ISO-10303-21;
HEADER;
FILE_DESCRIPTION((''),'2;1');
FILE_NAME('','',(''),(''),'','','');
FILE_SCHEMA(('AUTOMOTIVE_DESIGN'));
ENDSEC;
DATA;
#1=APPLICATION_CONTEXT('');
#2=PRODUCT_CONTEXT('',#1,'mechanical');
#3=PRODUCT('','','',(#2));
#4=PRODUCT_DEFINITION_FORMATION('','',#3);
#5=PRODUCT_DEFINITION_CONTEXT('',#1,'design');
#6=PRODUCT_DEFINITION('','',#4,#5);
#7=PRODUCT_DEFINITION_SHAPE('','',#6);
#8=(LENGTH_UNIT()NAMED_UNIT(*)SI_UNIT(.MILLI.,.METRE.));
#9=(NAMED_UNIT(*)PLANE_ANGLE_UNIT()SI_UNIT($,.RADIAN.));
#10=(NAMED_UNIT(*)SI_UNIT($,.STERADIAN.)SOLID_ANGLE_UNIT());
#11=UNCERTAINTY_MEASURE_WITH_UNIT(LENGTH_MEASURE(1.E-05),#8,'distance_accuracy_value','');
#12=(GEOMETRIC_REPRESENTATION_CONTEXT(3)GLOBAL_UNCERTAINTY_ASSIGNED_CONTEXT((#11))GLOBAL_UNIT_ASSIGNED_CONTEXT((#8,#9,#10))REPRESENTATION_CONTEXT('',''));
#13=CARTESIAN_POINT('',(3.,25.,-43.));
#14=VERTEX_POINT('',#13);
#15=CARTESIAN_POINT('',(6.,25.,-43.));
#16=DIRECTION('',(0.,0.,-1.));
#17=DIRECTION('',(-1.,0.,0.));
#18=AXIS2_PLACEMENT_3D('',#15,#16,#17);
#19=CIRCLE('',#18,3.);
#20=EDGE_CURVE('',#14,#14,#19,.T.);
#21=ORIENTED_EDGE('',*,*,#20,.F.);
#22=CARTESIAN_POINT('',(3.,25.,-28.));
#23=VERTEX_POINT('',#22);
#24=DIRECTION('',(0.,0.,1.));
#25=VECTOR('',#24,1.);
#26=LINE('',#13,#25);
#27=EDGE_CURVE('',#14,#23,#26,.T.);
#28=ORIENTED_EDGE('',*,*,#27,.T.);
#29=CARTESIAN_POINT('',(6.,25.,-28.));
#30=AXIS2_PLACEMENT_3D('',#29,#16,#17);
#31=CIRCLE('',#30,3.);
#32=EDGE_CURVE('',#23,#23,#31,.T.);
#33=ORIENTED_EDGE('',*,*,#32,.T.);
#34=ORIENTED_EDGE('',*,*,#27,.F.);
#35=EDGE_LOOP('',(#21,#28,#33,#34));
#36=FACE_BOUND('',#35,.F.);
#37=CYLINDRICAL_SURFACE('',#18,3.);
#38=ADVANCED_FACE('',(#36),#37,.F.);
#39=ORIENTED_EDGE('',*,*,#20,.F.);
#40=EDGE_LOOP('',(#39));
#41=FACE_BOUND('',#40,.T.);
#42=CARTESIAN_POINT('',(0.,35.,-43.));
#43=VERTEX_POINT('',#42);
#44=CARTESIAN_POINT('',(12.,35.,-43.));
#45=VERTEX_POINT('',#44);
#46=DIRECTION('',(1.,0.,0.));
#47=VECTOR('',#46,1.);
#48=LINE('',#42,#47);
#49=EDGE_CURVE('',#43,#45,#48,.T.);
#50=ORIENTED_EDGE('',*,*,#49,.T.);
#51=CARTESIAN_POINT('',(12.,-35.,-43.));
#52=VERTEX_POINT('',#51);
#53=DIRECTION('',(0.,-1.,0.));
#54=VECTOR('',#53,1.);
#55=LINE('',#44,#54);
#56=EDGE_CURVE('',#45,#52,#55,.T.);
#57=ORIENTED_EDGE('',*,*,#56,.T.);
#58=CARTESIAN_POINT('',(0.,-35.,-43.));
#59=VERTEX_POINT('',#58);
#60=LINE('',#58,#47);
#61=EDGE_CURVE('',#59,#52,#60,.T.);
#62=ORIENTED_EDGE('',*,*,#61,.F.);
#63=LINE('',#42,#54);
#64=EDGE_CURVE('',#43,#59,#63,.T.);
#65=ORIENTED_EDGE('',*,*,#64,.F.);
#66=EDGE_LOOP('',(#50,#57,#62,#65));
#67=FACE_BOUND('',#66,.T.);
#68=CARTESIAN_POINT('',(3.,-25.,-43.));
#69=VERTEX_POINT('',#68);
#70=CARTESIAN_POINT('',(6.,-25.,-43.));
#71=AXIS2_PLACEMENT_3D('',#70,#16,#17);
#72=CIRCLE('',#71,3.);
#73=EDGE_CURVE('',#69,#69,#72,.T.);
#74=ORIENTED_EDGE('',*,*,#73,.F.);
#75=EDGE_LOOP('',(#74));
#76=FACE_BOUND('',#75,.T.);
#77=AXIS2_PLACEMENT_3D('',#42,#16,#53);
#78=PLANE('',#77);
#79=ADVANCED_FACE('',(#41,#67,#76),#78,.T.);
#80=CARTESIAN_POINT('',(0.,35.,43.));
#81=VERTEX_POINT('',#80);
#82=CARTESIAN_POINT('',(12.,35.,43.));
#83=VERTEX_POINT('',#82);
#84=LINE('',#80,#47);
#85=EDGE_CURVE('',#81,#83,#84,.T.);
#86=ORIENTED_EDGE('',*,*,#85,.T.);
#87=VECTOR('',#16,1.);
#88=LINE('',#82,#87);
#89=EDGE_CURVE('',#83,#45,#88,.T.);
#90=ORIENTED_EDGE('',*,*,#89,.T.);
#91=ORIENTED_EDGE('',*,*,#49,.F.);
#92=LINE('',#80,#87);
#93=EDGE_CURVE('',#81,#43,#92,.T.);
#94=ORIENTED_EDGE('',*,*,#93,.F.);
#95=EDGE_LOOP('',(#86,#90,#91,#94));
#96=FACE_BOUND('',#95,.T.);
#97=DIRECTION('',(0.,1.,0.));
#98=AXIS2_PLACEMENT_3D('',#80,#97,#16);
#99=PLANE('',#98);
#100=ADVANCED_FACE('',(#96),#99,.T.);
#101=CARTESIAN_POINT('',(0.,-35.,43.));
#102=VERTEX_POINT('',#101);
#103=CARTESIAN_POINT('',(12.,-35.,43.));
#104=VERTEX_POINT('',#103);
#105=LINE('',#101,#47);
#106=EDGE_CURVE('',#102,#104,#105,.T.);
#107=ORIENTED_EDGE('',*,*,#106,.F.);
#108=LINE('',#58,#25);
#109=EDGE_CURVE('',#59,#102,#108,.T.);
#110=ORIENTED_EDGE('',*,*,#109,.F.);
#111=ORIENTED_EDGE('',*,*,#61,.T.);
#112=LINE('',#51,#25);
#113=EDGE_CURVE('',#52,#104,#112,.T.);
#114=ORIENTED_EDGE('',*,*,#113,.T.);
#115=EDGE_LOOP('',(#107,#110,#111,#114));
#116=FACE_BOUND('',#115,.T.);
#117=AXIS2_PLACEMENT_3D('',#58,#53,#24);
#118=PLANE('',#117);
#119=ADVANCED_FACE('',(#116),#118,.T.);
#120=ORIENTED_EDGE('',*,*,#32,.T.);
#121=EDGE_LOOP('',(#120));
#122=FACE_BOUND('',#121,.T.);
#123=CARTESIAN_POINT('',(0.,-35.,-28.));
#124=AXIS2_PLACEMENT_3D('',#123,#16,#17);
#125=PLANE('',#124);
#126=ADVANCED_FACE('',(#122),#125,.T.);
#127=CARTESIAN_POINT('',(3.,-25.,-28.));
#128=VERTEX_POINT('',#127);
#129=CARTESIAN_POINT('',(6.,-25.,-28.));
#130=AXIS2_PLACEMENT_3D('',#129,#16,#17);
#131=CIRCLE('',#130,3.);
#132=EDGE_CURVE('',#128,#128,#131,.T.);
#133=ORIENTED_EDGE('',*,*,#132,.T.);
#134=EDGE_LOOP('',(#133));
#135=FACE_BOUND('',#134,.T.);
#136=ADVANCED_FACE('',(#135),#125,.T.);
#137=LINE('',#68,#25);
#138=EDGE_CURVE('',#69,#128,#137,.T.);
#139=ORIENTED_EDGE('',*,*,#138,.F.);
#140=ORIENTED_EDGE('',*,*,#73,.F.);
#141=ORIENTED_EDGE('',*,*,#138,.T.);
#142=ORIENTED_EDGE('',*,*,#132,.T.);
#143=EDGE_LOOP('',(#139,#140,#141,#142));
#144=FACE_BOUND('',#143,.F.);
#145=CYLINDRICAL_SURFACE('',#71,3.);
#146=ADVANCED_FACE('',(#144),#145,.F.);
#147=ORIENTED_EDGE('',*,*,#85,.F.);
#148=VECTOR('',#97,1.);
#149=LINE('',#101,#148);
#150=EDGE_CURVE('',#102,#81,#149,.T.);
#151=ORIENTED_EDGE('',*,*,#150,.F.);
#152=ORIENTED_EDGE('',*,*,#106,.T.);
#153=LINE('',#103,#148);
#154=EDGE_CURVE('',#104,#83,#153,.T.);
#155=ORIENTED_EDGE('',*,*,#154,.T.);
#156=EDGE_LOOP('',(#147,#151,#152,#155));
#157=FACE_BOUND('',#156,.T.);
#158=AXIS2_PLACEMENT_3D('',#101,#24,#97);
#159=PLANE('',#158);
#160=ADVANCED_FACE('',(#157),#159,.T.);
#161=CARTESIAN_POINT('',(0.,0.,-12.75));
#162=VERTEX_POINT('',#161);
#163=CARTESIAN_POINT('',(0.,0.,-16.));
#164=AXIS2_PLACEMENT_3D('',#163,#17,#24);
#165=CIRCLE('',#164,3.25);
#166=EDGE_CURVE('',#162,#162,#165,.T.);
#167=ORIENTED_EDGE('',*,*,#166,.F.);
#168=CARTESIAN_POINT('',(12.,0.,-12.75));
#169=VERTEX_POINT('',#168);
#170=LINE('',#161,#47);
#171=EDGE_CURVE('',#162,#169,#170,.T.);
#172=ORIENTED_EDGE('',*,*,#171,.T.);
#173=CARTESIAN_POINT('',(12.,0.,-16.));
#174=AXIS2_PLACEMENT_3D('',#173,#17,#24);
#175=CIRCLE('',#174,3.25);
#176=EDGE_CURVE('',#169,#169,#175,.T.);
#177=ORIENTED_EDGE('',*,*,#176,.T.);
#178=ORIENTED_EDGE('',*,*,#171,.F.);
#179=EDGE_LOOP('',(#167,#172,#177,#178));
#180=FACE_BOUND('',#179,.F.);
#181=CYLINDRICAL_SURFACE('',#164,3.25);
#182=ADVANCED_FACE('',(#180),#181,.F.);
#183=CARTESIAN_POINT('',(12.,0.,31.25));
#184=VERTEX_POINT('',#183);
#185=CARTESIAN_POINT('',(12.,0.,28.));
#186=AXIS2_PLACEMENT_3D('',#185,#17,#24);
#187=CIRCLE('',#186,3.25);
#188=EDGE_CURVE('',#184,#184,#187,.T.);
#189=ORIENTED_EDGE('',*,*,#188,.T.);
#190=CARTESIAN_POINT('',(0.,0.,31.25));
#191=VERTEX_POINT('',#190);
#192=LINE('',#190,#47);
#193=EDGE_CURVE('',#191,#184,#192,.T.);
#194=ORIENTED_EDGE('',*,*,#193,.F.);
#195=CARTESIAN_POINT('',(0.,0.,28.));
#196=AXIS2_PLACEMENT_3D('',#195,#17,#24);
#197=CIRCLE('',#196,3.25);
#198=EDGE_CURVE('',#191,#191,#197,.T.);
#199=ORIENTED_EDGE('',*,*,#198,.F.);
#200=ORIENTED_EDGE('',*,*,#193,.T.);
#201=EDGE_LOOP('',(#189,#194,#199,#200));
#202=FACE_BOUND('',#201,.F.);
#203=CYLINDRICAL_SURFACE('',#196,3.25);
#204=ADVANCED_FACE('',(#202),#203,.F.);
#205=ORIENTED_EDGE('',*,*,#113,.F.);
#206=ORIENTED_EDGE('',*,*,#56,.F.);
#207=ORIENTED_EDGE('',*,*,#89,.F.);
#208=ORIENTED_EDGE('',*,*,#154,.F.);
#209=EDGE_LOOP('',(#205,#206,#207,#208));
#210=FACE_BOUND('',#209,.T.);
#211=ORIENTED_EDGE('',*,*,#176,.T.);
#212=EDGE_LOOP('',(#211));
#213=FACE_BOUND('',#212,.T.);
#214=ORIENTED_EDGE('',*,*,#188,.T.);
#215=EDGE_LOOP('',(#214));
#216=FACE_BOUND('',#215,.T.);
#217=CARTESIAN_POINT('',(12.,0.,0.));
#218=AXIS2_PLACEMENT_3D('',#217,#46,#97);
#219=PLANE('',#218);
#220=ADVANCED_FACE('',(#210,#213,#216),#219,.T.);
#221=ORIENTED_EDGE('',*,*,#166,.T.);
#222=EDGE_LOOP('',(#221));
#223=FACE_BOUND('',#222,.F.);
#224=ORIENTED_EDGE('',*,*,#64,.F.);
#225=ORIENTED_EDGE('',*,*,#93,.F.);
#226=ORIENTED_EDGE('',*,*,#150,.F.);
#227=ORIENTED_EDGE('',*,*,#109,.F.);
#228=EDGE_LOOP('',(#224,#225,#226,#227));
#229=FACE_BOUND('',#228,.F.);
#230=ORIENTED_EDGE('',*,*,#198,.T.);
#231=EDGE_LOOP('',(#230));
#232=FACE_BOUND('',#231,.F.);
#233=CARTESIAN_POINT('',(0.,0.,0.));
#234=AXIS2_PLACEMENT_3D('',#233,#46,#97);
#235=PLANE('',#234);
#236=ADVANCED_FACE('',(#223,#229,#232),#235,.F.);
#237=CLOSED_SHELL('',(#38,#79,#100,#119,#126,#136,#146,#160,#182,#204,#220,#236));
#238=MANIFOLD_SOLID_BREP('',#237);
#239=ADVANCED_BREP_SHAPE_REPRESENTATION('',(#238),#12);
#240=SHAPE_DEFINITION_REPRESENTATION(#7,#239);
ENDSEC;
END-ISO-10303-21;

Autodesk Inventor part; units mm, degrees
ref_plane "YZ Plane" through (0, 0, 0) normal (1, 0, 0) x (0, 1, 0)
ref_plane "XZ Plane" through (0, 0, 0) normal (0, 1, 0) x (-1, 0, 0)
ref_plane "XY Plane" through (0, 0, 0) normal (0, 0, 1) x (1, 0, 0)
sketch "Sketch1" plane through (0, 0, 0) normal (1, 0, 0) x (0, 1, 0)
  line L0 (-35, 43) -> (35, 43)
  line L1 (35, 43) -> (35, -43)
  line L2 (35, -43) -> (-35, -43)
  line L3 (-35, -43) -> (-35, 43)
  line L4 (-35, 43) -> (35, -43) construction
  line L5 (35, 43) -> (-35, -43) construction
  point P0 (0, 0)
  dimension "d0" = 86
  dimension "d1" = 70
extrude "Extrusion1" add sketch "Sketch1" along normal blind 12
ref_plane "Work Plane1" through (0, 0, 43) normal (0, 1, 0) x (1, 0, 0)
sketch "Sketch2" plane through (0, -35, -43) normal (0, 0, -1) x (-1, 0, 0)
  circle A0 centre (-6, 60) radius 3
  circle A1 centre (-6, 35) radius 3 construction
  circle A2 centre (-6, 10) radius 3
  line L0 (0, 70) -> (-12, 70) projected
  line L1 (-6, 70) -> (-6, 0) construction
  line L2 (0, 0) -> (-12, 0) projected
  point P0 (0, 35)
  dimension "d4" = 6
  dimension "d5" = 25
  dimension "d6" = 25
extrude "Extrusion2" cut sketch "Sketch2" against normal blind 15
sketch "Sketch3" plane through (12, 0, 0) normal (1, 0, 0) x (0, 0, -1)
  circle A0 centre (-46.1752, 0) radius 3 projected
  circle A1 centre (-111.1482, 0) radius 3 projected
  circle A2 centre (-90.1752, 0) radius 3 projected
  point P0 (0, 0)
extrude "Extrusion3" cut sketch "Sketch3" against normal through all
sketch "Sketch4" plane through (0, 0, 0) normal (-1, 0, 0) x (0, 0, 1)
  circle A0 centre (28, 0) radius 3 construction
  circle A1 centre (-16, 0) radius 3 construction
  circle A2 centre (28, 0) radius 3.25
  circle A3 centre (-16, 0) radius 3.25
  point P0 (0, 0)
  dimension "d13" = 0.25
  dimension "d14" = 0.25
extrude "Extrusion4" cut sketch "Sketch4" against normal through all
thread "Thread1" size "M6x1" class "6H" standard "ANSI Metric M Profile" full length
thread "Thread2" size "M6x1" class "6H" standard "ANSI Metric M Profile" full length
properties part number "MotorHolderLongAxisBottom"
